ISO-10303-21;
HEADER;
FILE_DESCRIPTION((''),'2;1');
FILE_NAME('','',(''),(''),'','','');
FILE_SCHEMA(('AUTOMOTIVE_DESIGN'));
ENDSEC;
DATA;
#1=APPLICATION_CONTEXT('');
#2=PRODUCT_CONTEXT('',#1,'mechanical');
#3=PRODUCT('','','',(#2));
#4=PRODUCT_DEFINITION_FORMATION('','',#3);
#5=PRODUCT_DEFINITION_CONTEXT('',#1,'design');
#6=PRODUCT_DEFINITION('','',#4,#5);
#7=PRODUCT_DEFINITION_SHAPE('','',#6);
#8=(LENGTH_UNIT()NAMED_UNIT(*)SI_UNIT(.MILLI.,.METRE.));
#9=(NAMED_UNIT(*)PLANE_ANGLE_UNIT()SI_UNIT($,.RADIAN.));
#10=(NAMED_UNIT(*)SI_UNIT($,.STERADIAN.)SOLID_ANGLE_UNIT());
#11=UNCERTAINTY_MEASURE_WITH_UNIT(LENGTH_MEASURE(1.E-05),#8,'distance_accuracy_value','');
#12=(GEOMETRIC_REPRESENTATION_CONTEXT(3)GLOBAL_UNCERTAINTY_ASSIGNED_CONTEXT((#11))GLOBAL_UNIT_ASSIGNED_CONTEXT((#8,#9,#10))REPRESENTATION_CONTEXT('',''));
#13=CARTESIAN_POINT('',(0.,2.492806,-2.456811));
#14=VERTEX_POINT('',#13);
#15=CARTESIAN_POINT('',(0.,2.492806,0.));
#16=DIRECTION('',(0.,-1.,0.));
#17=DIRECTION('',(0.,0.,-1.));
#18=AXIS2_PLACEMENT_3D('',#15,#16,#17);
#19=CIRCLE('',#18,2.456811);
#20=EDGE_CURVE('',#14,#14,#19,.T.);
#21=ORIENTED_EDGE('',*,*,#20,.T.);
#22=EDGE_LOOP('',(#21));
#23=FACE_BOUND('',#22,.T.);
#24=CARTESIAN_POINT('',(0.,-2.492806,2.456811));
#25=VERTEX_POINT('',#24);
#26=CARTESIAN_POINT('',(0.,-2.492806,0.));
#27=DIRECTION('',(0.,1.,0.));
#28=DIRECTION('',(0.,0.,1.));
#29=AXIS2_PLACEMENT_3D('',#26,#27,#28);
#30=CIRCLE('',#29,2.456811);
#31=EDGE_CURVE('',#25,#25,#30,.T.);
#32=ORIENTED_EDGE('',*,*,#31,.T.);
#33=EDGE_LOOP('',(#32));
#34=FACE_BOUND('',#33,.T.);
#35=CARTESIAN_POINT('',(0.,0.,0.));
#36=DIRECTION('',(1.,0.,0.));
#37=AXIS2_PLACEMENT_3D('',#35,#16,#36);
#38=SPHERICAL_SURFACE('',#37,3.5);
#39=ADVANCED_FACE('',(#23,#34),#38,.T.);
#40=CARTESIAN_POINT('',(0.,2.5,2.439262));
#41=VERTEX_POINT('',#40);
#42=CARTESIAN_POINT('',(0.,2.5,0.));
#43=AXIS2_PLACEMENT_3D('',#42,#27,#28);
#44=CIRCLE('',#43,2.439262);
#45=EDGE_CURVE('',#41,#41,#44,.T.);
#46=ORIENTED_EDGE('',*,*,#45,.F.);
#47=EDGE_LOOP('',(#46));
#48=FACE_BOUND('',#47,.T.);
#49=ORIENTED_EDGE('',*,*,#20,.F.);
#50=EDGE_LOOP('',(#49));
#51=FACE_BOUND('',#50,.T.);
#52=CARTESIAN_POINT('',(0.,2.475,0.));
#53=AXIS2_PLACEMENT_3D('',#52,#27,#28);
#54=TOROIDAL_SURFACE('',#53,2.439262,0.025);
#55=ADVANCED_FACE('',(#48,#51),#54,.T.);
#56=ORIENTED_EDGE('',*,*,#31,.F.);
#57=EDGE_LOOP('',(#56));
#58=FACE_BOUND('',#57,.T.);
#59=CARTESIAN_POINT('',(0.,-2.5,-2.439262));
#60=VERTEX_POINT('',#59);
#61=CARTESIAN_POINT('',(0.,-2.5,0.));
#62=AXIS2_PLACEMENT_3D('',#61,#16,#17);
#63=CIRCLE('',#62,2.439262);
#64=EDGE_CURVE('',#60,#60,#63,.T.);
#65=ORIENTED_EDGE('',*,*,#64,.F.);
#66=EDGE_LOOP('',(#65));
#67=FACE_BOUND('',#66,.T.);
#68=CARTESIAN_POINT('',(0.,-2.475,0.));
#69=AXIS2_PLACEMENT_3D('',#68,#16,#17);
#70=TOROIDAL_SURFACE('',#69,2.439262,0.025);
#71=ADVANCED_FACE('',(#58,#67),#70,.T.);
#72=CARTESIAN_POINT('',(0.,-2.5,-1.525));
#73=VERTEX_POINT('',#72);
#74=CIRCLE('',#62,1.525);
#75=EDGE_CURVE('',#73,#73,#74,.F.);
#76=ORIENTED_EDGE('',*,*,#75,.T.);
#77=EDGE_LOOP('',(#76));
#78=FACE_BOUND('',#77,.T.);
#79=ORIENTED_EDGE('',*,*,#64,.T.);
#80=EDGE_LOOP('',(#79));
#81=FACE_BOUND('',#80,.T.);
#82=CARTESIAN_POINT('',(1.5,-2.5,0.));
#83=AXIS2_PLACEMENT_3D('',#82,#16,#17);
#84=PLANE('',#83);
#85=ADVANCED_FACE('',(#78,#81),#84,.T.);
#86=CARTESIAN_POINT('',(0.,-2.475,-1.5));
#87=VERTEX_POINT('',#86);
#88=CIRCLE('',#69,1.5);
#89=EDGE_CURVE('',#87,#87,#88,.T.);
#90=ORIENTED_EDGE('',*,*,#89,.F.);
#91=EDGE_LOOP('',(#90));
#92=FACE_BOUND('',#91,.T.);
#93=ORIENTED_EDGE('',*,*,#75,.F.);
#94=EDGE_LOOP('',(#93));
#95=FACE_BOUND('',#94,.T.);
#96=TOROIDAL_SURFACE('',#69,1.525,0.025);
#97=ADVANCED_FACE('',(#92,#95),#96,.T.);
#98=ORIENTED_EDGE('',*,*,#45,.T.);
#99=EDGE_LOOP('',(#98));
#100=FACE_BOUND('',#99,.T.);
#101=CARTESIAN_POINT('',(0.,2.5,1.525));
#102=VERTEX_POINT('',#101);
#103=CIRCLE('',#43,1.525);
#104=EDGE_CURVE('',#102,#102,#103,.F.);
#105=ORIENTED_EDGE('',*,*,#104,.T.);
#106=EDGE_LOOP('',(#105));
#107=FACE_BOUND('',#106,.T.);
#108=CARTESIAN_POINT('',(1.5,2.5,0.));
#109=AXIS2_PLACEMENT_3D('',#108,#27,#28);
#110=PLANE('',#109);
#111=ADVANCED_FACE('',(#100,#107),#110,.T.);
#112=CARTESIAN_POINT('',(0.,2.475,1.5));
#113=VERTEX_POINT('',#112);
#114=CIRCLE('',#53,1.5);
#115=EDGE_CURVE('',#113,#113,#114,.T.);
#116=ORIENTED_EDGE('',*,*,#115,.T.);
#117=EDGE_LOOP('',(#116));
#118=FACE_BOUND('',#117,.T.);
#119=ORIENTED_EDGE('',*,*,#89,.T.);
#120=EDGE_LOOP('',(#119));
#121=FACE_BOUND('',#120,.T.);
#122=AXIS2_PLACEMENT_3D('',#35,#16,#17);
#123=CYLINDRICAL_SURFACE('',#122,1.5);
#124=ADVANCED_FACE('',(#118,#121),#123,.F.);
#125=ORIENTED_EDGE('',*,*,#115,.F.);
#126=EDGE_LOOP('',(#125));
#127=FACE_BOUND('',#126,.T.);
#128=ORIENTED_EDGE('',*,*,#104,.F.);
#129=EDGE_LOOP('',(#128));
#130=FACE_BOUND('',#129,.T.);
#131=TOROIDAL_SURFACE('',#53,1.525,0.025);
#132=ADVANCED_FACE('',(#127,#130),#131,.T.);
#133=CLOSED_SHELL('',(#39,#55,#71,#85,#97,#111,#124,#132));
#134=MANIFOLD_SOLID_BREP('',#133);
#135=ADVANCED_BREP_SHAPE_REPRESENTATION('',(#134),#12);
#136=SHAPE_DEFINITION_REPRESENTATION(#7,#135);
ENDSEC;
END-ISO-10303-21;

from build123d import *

# Parameters (mm, degrees)
FILLET1_R    = 0.1
SCALE1_SCALE = 0.25


with BuildPart() as part:
    # Sketch1 → Revolve1 (revolve)
    with BuildSketch(Plane.XY):
        with BuildLine():
            Line((6, -10), (6, 10))
            Line((6, 10), (9.797958971, 10))
            ThreePointArc((9.797958971, 10), (14, 0), (9.797958971, -10))
            Line((9.797958971, -10), (6, -10))
        make_face()
    revolve(axis=Axis((0, 0, 0), (0, 1, 0)))

    # Fillet1
    fillet1_edges = [part.edges().sort_by_distance(p)[0] for p in [
        (-9.797958971, -10, 0),
        (-9.797958971, 10, 0),
        (-6, 10, 0),
        (-6, -10, 0),
    ]]
    fillet(fillet1_edges, radius=FILLET1_R)


with BuildPart() as part_1:
    # Scale1: scaled about (-6e-09, 1.26e-07, 0)
    add(part.part.scale(SCALE1_SCALE).moved(Location((-4e-09, 9.4e-08, 0))))


solid = part_1.part
